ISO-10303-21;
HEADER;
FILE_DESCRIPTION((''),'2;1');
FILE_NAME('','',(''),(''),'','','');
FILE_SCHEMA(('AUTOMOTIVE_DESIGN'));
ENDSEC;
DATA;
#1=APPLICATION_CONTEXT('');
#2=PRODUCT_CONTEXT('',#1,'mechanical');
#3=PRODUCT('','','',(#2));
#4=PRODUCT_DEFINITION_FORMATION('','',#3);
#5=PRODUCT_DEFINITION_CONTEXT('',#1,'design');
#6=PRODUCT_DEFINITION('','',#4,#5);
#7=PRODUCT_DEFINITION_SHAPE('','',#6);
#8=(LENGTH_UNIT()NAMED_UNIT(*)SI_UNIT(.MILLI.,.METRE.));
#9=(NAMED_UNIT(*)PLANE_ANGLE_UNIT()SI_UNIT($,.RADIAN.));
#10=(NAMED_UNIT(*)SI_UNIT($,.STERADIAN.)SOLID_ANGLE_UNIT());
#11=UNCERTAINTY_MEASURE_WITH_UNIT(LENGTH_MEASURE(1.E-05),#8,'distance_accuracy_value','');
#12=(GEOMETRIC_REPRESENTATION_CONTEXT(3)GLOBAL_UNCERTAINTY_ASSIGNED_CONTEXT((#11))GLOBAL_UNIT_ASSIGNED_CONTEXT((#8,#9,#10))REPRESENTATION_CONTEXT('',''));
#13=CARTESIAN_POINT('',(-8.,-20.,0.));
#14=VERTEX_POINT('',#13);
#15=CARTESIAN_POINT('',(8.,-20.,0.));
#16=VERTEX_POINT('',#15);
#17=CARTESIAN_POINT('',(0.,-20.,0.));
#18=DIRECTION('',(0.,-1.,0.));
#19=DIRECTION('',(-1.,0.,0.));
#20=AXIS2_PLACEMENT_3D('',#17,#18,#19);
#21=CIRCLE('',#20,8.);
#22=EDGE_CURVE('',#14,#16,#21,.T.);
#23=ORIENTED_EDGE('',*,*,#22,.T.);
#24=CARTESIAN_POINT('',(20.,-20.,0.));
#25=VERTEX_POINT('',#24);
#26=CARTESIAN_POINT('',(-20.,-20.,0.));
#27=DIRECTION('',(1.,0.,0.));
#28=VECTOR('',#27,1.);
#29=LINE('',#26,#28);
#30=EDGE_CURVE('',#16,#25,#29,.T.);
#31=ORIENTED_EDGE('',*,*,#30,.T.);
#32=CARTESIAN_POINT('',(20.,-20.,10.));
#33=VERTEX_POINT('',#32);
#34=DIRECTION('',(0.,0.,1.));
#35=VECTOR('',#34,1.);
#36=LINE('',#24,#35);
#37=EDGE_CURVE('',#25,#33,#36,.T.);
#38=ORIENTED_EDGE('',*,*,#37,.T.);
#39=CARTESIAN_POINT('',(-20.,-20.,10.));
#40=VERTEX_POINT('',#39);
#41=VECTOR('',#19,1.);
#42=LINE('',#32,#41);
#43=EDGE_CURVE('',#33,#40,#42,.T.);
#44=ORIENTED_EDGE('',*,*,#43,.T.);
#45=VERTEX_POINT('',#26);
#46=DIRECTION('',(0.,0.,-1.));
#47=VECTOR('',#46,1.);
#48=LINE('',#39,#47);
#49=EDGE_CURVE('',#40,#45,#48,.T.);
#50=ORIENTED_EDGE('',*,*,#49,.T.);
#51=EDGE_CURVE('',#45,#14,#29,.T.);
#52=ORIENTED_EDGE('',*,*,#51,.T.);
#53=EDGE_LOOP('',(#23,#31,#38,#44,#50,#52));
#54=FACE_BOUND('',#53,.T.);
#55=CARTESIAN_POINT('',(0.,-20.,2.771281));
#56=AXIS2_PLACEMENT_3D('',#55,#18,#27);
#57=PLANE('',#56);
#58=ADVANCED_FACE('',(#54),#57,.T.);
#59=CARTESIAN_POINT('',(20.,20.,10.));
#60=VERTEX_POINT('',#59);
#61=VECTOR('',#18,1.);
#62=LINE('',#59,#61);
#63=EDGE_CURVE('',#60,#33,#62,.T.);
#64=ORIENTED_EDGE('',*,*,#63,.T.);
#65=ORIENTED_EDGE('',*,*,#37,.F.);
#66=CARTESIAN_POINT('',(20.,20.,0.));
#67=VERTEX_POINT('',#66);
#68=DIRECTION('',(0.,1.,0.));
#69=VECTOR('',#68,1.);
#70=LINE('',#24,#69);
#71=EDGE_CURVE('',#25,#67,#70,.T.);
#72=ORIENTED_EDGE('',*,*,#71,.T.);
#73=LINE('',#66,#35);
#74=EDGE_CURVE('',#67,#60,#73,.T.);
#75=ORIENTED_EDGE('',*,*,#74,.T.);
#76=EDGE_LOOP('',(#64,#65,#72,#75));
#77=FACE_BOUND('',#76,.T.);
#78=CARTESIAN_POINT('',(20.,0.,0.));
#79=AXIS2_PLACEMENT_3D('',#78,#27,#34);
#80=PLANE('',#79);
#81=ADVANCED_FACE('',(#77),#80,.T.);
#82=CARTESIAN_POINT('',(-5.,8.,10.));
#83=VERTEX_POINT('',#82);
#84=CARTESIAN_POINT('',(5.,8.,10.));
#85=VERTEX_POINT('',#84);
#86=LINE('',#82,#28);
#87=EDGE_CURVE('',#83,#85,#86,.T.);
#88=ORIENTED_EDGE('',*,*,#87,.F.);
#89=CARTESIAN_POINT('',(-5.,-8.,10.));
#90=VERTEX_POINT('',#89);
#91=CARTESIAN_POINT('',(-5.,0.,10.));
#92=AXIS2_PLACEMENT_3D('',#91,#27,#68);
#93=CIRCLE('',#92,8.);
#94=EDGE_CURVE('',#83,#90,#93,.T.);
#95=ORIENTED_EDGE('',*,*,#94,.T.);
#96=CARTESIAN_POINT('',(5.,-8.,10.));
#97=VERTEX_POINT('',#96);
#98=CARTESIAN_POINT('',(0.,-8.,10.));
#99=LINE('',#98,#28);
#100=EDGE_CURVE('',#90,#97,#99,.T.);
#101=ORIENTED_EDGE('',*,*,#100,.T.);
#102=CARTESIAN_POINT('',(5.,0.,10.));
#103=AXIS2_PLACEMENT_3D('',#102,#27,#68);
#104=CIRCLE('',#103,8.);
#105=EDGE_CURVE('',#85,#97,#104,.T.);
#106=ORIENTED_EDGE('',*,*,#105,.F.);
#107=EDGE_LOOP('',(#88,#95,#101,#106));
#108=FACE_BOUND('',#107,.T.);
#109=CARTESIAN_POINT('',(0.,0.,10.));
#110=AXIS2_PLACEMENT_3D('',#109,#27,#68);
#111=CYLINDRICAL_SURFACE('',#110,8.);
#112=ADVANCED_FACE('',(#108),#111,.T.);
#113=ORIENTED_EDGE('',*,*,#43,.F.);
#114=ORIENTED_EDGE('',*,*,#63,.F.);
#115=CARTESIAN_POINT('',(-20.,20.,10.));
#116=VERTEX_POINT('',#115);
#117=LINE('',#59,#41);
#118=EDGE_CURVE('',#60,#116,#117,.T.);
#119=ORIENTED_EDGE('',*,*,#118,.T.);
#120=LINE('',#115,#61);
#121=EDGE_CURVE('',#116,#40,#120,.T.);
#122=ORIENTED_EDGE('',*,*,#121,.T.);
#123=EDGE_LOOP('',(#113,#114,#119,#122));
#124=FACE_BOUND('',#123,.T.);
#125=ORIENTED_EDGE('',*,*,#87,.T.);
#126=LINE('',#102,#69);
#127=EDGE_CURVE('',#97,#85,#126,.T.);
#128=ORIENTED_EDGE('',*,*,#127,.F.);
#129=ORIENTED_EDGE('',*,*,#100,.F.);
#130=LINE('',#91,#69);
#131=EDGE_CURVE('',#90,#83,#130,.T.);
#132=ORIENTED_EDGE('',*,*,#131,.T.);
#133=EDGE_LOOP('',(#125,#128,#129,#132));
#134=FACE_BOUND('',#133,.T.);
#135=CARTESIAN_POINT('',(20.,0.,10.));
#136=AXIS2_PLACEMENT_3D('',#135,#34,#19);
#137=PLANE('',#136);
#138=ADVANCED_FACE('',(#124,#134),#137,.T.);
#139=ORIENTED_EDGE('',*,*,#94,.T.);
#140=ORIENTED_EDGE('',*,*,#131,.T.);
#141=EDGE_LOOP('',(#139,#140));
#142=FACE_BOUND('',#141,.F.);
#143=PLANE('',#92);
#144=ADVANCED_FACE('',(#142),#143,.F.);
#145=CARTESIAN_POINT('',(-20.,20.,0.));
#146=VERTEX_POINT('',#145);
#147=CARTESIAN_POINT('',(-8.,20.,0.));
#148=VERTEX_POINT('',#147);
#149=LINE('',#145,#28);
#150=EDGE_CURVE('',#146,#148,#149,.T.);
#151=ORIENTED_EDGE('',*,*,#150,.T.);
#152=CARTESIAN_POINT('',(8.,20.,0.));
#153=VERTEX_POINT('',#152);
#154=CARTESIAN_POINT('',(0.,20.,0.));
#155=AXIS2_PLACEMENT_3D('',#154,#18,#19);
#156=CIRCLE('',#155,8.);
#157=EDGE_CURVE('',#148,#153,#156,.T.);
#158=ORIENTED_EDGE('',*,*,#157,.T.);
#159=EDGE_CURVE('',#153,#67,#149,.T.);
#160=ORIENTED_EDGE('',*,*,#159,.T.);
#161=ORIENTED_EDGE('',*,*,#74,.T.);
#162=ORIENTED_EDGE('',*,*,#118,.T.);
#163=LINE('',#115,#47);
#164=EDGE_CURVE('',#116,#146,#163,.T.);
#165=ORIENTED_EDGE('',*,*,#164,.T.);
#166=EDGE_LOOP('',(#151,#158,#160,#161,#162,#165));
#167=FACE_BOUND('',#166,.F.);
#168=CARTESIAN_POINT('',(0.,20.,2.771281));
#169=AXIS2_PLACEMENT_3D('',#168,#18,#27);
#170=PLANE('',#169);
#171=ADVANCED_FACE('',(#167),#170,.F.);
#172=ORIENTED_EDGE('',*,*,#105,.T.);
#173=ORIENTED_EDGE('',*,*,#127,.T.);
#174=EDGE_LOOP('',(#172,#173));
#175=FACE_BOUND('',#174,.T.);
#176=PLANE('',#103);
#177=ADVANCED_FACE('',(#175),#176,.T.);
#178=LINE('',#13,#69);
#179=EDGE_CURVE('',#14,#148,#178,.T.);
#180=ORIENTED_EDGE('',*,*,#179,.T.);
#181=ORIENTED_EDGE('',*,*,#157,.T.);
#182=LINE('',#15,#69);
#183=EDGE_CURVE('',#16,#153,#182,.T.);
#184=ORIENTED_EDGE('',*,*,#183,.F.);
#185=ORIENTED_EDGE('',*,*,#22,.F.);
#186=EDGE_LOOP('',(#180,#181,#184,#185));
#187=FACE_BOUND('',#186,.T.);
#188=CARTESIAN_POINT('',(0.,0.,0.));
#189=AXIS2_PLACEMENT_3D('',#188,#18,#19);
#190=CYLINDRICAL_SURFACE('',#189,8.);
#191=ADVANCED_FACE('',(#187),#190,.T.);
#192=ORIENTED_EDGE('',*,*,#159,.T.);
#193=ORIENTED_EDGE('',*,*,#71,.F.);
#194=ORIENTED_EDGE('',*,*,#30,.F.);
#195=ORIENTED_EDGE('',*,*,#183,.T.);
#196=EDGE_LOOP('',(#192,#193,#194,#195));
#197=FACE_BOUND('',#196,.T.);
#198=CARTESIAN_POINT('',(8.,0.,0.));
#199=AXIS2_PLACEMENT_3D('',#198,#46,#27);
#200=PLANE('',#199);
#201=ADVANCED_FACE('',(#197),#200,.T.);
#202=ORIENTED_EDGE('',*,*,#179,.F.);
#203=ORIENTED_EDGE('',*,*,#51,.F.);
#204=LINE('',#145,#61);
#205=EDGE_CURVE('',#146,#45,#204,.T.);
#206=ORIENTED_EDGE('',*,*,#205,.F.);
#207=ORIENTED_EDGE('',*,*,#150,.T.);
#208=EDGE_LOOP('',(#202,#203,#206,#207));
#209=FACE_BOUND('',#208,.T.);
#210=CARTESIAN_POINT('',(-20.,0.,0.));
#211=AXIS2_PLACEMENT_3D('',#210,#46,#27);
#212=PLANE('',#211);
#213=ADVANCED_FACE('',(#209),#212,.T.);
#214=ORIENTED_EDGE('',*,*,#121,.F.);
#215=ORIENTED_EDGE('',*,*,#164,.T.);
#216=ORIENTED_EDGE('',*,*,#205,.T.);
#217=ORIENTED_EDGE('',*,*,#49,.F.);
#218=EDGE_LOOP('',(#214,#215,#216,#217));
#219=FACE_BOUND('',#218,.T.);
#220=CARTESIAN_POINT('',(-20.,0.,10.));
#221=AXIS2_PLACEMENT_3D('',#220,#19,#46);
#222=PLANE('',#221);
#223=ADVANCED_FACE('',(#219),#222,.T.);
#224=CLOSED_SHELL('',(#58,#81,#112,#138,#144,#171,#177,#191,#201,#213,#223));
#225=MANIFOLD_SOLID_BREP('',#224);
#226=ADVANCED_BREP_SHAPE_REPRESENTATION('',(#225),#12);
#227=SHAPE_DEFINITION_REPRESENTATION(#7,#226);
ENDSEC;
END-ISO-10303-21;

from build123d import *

# Parameters (mm, degrees)
F1_DEPTH = 20
F2_R     = 8
F3_DEPTH = 5


with BuildPart() as f1:
    # F0 (on Front) → F1 (new body, symmetric)
    with BuildSketch(Plane.XZ):
        with BuildLine():
            Line((-8, 0), (8, 0))
            ThreePointArc((8, 0), (0, 8), (-8, 0))
        make_face()
        with BuildLine():
            ThreePointArc((-8, 0), (0, 8), (8, 0))
            Line((8, 0), (20, 0))
            Line((20, 0), (20, 10))
            Line((20, 10), (-20, 10))
            Line((-20, 10), (-20, 0))
            Line((-20, 0), (-8, 0))
        make_face()
        with BuildLine():
            ThreePointArc((-8, 0), (0, -8), (8, 0))
            Line((8, 0), (-8, 0))
        make_face()
    extrude(amount=F1_DEPTH, both=True)

    # F2 (on Right) → F3 (join, symmetric)
    with BuildSketch(Plane.YZ):
        with Locations((0, 10)):
            Circle(F2_R)
    extrude(amount=F3_DEPTH, both=True)


solid = f1.part
